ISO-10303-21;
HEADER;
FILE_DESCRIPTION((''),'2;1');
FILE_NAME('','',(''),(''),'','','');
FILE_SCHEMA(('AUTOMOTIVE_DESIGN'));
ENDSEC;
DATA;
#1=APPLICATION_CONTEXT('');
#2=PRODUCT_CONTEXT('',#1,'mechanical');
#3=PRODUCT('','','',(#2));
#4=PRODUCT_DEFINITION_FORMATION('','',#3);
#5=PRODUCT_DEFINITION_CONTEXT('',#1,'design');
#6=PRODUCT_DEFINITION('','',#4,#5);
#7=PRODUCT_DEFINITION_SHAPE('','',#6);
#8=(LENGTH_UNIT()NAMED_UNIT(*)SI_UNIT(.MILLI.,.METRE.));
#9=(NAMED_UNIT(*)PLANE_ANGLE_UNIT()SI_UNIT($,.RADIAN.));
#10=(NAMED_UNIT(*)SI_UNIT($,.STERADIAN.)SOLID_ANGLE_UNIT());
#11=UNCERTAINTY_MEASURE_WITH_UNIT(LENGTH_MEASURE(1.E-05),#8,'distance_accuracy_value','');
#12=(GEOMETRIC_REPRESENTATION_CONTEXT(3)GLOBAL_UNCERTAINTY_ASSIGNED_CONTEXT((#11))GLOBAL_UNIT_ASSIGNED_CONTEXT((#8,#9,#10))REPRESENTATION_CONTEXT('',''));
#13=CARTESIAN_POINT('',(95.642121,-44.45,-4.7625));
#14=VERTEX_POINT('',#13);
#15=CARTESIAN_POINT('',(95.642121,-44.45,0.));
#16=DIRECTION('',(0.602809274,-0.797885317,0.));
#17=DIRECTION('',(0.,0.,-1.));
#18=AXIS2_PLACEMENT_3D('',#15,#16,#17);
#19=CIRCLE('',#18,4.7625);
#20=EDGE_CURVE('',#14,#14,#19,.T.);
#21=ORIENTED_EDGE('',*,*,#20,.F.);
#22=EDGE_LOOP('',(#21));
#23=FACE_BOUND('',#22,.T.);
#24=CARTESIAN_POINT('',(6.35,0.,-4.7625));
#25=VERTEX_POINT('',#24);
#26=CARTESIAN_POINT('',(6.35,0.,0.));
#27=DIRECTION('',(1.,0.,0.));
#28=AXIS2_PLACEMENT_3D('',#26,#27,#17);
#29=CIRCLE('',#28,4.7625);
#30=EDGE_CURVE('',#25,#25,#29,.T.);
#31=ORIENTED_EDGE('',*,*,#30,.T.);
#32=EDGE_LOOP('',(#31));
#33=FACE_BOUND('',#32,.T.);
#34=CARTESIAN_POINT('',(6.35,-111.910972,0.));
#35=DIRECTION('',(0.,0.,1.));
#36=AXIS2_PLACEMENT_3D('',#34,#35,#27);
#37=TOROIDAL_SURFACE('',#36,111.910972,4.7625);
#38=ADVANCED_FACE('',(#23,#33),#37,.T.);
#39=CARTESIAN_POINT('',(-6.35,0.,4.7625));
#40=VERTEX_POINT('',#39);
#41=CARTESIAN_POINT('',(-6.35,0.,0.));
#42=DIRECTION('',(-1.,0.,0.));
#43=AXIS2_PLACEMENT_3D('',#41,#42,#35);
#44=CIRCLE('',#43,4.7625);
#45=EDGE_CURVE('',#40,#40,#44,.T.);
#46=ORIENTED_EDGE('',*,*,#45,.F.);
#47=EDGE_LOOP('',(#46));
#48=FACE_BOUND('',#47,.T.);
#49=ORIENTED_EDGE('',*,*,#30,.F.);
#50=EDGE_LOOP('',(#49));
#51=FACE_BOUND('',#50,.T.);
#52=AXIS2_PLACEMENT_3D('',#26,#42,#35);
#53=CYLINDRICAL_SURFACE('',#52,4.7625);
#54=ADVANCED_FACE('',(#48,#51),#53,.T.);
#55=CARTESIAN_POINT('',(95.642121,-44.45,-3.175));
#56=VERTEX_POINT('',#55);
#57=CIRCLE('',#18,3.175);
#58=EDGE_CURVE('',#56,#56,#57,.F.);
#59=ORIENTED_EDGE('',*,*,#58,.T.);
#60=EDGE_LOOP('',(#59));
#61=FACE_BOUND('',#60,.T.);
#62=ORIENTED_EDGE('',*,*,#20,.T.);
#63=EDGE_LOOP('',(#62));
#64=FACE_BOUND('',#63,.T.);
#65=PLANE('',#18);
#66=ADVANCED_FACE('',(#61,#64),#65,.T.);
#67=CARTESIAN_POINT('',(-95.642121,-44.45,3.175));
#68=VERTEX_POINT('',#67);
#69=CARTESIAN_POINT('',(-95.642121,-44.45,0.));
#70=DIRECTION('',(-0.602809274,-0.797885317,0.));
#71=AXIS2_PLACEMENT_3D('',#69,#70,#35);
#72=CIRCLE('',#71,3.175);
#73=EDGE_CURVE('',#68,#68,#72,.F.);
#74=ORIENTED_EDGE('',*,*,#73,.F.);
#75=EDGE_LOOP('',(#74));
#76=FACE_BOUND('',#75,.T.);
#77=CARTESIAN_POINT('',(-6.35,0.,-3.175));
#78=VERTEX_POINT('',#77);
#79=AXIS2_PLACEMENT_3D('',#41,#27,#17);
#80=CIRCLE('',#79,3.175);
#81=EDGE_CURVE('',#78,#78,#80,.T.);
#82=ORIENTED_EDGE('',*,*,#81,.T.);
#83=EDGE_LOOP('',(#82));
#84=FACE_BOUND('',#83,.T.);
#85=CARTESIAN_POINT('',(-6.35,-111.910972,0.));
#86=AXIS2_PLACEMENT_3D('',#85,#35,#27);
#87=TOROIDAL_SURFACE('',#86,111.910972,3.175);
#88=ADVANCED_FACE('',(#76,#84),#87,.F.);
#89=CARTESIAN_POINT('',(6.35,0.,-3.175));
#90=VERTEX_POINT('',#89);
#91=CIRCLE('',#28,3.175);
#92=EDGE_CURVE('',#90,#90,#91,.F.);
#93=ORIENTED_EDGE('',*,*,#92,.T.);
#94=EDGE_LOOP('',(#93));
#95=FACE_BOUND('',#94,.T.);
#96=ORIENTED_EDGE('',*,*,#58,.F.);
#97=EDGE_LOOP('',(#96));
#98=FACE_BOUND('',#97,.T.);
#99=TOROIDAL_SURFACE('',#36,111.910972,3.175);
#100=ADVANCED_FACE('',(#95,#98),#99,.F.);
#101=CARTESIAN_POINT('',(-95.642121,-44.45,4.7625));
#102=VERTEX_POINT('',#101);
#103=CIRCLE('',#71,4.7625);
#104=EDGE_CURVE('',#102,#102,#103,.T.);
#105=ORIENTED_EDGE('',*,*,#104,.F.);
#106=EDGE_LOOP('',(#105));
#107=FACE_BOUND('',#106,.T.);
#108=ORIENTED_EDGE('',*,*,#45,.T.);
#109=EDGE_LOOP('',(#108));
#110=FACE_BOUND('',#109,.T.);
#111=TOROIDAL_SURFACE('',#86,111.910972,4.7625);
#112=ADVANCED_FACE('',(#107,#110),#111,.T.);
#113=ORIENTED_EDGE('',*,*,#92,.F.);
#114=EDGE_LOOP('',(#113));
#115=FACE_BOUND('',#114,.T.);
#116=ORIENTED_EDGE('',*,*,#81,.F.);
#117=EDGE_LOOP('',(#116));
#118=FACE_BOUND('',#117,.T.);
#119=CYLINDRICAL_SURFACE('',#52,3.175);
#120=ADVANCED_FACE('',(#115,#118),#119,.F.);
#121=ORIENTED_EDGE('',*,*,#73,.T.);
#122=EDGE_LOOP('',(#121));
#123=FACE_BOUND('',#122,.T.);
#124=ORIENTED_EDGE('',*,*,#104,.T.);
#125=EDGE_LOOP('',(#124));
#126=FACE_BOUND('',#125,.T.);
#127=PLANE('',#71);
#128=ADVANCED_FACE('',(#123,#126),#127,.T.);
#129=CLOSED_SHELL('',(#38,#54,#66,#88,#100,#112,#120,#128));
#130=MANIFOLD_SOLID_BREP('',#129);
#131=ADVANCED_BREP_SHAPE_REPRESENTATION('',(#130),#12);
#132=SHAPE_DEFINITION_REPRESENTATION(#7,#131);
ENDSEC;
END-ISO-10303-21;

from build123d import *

# Parameters (mm, degrees)
SKETCH1_R      = 4.7625
SKETCH1_R_2    = 3.175
EXTRUDE1_DEPTH = 6.35
SKETCH3_R      = 4.7625
SKETCH3_R_2    = 3.175
SKETCH5_R      = 4.7625
SKETCH5_R_2    = 3.175


with BuildPart() as part:
    # Sketch1 → Extrude1 (new, symmetric)
    with BuildSketch(Plane(origin=(0, 0, 0), x_dir=(0, 0, -1), z_dir=(1, 0, 0))):
        Circle(SKETCH1_R)
        Circle(SKETCH1_R_2, mode=Mode.SUBTRACT)
    extrude(amount=EXTRUDE1_DEPTH, both=True)

    # Sweep1: sweep along a path in Sketch6
    with BuildLine(Plane.XY) as sweep1_path:
        ThreePointArc((-6.35, 0), (-56.222049707, -11.726919872), (-95.642120974, -44.45))
    # Sketch3 → Sweep1 (sweep)
    with BuildSketch(Plane.ZY.offset(6.35)):
        Circle(SKETCH3_R)
        Circle(SKETCH3_R_2, mode=Mode.SUBTRACT)
    sweep(path=sweep1_path.line)

    # Sweep2: sweep along a path in Sketch4
    with BuildLine(Plane.XY) as sweep2_path:
        ThreePointArc((95.642120974, -44.45), (56.222049707, -11.726919872), (6.35, 0))
    # Sketch5 → Sweep2 (sweep)
    with BuildSketch(Plane(origin=(6.35, 0, 0), x_dir=(0, 0, -1), z_dir=(1, 0, 0))):
        Circle(SKETCH5_R)
        Circle(SKETCH5_R_2, mode=Mode.SUBTRACT)
    sweep(path=sweep2_path.line)


solid = part.part
